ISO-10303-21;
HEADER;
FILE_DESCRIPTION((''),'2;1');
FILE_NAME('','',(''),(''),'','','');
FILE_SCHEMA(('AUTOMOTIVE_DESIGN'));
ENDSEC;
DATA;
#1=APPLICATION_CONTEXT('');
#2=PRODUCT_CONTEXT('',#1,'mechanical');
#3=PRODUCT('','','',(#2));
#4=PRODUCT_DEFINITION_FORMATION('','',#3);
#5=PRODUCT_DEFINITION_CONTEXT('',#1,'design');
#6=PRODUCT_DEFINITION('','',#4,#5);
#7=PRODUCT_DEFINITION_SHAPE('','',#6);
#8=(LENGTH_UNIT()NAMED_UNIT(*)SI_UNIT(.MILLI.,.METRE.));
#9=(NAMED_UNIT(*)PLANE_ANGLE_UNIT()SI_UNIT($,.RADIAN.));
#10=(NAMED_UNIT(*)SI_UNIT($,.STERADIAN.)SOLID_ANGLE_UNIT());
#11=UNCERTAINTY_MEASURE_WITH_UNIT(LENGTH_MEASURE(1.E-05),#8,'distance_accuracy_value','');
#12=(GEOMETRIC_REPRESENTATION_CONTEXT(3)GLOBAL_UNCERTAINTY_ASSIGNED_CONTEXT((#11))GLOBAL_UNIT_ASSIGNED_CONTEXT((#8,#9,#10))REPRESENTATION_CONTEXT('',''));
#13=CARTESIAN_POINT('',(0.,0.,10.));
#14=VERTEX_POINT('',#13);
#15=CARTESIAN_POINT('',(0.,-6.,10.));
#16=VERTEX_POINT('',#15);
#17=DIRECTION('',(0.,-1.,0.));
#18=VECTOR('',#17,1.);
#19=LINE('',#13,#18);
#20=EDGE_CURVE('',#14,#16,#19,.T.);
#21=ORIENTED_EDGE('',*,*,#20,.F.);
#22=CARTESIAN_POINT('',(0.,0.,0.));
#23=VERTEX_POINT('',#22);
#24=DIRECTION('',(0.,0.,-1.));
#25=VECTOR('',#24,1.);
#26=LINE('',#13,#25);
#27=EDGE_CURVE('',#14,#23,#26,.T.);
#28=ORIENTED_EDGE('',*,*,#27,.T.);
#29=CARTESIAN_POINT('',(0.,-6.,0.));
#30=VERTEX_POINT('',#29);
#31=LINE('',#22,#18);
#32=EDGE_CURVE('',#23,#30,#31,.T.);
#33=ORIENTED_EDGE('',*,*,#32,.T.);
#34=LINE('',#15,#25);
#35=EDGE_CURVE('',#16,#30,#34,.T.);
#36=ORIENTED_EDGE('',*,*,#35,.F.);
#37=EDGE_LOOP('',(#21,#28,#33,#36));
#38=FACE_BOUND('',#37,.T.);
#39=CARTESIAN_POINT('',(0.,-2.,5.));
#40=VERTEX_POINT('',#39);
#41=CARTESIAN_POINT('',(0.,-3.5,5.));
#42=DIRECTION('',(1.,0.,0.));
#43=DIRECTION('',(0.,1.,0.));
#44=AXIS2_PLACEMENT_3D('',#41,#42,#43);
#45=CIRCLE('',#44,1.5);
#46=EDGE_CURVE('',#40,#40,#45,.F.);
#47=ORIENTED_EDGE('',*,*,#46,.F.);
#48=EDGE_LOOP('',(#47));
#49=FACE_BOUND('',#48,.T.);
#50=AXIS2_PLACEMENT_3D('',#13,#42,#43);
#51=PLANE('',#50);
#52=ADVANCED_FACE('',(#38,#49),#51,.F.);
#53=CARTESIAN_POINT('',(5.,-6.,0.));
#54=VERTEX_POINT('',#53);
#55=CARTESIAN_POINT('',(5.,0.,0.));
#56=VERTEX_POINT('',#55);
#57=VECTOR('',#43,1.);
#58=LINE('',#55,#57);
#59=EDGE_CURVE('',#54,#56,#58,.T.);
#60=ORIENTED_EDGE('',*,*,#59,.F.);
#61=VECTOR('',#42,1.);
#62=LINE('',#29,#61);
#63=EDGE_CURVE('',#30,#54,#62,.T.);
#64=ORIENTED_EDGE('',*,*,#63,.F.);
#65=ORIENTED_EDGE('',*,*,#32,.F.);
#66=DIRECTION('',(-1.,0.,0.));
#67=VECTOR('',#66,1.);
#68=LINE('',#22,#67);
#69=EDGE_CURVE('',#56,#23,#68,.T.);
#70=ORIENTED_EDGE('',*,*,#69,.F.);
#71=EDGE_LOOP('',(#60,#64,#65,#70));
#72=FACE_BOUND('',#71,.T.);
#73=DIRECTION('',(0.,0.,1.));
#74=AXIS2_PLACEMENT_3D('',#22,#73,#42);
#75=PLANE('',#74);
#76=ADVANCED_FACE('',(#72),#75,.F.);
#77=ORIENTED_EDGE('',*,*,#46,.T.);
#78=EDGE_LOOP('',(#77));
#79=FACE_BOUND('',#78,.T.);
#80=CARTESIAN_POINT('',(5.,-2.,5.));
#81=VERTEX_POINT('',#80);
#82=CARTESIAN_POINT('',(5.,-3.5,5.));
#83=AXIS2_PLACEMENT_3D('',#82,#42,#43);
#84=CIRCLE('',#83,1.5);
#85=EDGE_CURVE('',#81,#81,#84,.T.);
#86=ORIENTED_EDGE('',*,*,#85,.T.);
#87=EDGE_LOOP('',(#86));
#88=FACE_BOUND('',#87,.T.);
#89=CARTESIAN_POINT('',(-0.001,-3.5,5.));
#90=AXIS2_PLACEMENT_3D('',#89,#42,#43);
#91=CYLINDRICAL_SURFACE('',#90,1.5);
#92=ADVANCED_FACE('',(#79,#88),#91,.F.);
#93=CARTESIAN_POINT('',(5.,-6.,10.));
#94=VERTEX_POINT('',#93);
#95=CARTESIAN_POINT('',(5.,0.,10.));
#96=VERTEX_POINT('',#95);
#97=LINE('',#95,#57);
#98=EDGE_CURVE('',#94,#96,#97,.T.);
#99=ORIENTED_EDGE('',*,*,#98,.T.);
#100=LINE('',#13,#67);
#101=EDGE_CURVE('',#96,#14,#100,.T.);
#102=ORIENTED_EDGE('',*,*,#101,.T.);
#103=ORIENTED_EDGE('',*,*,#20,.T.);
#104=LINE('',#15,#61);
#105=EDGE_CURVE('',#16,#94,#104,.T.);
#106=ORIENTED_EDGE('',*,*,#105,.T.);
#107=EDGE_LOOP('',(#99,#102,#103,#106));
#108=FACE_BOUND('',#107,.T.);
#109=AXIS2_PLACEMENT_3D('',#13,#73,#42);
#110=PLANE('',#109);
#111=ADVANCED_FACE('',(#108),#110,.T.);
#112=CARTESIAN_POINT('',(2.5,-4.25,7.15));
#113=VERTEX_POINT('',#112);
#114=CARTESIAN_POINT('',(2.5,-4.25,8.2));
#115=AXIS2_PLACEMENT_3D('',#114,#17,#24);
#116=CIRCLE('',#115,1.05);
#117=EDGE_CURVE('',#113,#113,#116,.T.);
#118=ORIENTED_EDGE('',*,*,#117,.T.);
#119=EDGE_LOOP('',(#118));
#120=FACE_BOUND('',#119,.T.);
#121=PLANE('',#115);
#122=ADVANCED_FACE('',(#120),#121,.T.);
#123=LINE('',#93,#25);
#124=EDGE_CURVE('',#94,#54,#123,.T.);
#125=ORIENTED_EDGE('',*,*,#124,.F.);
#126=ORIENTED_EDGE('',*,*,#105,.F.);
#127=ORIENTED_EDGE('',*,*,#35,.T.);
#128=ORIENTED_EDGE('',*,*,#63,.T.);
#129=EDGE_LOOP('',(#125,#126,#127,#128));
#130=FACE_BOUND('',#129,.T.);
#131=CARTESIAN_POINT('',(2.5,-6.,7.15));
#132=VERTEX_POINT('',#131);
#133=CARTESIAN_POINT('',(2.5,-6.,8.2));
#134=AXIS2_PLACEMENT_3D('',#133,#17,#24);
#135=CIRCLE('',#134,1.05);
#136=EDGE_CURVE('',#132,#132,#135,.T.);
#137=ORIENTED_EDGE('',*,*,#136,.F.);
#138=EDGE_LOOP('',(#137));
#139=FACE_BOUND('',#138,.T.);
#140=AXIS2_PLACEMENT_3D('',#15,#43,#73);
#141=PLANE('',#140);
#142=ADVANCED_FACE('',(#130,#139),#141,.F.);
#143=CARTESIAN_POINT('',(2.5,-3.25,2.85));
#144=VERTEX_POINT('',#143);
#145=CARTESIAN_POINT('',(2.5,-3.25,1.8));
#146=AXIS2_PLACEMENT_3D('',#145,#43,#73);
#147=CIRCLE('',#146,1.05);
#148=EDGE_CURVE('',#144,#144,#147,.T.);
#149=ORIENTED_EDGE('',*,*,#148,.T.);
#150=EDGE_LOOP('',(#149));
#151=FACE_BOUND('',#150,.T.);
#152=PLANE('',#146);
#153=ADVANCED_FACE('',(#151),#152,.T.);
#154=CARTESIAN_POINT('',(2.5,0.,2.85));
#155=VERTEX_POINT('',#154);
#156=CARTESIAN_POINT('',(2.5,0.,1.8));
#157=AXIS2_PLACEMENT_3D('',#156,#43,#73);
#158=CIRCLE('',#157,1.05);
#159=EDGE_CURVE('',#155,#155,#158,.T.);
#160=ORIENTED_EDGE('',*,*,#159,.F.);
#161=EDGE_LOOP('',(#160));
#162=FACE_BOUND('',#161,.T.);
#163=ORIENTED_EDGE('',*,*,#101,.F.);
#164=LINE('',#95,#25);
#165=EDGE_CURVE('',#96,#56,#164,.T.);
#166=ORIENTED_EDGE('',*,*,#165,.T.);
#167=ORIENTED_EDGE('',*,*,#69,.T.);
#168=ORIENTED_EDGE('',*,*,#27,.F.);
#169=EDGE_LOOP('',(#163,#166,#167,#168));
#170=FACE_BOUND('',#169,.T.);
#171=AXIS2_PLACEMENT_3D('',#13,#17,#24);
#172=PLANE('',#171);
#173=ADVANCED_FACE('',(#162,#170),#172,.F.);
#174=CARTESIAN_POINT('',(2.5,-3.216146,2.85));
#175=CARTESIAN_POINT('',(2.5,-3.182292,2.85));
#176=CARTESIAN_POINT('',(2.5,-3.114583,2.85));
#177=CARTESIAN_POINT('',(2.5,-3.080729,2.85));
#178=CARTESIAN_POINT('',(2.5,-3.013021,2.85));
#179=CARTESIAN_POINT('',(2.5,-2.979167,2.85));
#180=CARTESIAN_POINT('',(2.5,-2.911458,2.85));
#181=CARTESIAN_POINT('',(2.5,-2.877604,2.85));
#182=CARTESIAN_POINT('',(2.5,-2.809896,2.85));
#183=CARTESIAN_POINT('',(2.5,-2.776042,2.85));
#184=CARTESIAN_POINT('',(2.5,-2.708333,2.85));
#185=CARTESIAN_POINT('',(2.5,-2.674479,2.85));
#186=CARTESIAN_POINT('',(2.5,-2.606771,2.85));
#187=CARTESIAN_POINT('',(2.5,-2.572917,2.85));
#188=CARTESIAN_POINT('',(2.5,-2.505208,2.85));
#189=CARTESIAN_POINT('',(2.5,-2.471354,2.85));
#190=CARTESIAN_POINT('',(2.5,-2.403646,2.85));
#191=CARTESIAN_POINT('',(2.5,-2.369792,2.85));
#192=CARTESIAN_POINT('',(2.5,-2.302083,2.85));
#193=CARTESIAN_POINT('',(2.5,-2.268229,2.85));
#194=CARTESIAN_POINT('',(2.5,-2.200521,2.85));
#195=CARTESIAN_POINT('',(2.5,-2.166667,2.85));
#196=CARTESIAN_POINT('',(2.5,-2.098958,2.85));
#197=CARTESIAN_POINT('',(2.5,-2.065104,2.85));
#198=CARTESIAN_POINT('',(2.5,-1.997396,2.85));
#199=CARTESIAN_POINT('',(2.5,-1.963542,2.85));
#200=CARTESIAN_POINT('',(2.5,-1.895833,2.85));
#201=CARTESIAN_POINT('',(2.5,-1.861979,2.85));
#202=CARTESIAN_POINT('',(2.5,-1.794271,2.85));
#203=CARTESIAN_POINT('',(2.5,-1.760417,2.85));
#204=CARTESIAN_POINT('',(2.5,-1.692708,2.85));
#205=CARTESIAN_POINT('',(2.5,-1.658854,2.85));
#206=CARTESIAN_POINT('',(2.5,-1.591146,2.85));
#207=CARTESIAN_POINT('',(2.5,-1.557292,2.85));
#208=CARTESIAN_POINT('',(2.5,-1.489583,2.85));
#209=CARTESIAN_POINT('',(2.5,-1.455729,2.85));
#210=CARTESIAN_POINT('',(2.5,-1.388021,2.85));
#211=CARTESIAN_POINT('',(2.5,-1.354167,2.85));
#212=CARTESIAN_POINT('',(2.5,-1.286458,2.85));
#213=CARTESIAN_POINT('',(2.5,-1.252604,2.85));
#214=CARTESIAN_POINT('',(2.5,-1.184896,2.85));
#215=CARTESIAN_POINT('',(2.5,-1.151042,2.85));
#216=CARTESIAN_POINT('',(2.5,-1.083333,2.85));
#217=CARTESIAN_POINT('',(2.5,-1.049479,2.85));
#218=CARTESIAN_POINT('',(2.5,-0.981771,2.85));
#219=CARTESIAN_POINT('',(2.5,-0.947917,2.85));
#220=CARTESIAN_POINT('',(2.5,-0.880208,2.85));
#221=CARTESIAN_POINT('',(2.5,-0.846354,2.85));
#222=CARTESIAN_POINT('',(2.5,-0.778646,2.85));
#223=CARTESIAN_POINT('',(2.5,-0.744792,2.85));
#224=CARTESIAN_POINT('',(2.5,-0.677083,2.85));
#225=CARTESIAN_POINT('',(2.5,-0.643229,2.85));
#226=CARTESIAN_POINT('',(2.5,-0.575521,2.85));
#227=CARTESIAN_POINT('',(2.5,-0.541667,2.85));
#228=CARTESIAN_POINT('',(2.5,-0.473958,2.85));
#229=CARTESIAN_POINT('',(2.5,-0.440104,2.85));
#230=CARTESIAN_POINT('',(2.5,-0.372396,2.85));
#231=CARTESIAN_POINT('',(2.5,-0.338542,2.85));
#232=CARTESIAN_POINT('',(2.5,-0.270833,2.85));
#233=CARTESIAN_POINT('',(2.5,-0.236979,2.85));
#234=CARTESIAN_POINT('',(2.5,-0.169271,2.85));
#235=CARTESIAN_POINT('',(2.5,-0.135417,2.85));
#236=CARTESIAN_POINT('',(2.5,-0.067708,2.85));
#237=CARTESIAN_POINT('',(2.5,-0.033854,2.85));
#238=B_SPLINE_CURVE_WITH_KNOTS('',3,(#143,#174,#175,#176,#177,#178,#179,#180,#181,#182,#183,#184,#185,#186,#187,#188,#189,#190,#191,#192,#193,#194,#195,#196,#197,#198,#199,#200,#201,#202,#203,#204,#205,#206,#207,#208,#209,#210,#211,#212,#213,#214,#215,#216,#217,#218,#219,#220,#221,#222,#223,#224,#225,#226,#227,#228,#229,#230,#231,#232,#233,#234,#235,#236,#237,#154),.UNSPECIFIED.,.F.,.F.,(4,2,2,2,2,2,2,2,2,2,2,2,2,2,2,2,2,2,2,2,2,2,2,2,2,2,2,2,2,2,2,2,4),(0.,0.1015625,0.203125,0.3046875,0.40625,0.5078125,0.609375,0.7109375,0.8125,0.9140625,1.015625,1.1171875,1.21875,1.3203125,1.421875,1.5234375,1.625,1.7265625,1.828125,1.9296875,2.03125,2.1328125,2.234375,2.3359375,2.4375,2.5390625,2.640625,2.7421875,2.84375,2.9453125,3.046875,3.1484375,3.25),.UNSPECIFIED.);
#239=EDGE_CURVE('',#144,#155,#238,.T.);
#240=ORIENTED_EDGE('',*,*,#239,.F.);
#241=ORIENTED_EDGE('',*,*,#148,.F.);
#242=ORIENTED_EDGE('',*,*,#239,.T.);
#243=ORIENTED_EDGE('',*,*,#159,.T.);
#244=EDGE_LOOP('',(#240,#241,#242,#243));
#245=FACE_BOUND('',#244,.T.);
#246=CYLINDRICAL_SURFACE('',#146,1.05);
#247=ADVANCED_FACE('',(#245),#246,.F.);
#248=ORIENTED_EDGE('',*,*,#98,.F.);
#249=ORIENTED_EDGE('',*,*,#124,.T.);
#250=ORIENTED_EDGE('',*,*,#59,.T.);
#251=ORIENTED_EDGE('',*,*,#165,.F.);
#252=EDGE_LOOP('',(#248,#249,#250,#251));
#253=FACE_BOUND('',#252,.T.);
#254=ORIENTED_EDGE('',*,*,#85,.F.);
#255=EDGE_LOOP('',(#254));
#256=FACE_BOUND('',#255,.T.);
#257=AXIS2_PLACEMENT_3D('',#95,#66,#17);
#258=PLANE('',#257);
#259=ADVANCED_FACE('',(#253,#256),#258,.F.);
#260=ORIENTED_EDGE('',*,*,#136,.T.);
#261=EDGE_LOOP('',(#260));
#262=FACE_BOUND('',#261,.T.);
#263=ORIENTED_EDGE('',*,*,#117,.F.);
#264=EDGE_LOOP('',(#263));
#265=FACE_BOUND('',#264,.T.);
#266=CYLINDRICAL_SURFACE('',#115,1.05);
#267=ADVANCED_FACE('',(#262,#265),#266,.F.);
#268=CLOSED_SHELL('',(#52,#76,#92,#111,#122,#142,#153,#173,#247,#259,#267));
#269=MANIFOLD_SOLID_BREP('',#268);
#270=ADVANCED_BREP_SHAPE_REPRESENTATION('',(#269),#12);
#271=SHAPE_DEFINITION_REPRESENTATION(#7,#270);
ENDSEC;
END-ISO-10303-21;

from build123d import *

# Parameters (mm, degrees)
SKETCH1_W           = 5
SKETCH1_H           = 6
BOSS_EXTRUDE1_DEPTH = 10
CUT_EXTRUDE1_REACH  = 14.689
SKETCH2_R           = 1.5
SKETCH3_R           = 1.05
CUT_EXTRUDE2_DEPTH  = 3.25
SKETCH4_R           = 1.05
CUT_EXTRUDE3_DEPTH  = 1.75


with BuildPart() as part:
    # Sketch1 → Boss-Extrude1 (new body)
    with BuildSketch(Plane.XY):
        with Locations((2.5, -3)):
            Rectangle(SKETCH1_W, SKETCH1_H)
    extrude(amount=BOSS_EXTRUDE1_DEPTH)

    # Sketch2 → Cut-Extrude1 (cut, up to next)
    with BuildSketch(Plane(origin=(5, 0, 0), x_dir=(0, 0, -1), z_dir=(1, 0, 0)), mode=Mode.PRIVATE) as cut_extrude1_sk1:
        with Locations(Location((-5, -3.5, 0), (0, 0, 90))):
            Circle(SKETCH2_R)
    cut_extrude1_tool1 = extrude(cut_extrude1_sk1.sketch, amount=-CUT_EXTRUDE1_REACH, mode=Mode.PRIVATE) & part.part
    add(cut_extrude1_tool1.solids().sort_by_distance((5, -3.5, 5))[0], mode=Mode.SUBTRACT)

    # Sketch3 → Cut-Extrude2 (cut)
    with BuildSketch(Plane(origin=(0, 0, 0), x_dir=(1, 0, 0), z_dir=(0, 1, 0))):
        with Locations(Location((2.5, -1.8, 0), (0, 0, 270))):
            Circle(SKETCH3_R)
    extrude(amount=-CUT_EXTRUDE2_DEPTH, mode=Mode.SUBTRACT)

    # Sketch4 → Cut-Extrude3 (cut)
    with BuildSketch(Plane.XZ.offset(6)):
        with Locations(Location((2.5, 8.2, 0), (0, 0, 270))):
            Circle(SKETCH4_R)
    extrude(amount=-CUT_EXTRUDE3_DEPTH, mode=Mode.SUBTRACT)


solid = part.part
